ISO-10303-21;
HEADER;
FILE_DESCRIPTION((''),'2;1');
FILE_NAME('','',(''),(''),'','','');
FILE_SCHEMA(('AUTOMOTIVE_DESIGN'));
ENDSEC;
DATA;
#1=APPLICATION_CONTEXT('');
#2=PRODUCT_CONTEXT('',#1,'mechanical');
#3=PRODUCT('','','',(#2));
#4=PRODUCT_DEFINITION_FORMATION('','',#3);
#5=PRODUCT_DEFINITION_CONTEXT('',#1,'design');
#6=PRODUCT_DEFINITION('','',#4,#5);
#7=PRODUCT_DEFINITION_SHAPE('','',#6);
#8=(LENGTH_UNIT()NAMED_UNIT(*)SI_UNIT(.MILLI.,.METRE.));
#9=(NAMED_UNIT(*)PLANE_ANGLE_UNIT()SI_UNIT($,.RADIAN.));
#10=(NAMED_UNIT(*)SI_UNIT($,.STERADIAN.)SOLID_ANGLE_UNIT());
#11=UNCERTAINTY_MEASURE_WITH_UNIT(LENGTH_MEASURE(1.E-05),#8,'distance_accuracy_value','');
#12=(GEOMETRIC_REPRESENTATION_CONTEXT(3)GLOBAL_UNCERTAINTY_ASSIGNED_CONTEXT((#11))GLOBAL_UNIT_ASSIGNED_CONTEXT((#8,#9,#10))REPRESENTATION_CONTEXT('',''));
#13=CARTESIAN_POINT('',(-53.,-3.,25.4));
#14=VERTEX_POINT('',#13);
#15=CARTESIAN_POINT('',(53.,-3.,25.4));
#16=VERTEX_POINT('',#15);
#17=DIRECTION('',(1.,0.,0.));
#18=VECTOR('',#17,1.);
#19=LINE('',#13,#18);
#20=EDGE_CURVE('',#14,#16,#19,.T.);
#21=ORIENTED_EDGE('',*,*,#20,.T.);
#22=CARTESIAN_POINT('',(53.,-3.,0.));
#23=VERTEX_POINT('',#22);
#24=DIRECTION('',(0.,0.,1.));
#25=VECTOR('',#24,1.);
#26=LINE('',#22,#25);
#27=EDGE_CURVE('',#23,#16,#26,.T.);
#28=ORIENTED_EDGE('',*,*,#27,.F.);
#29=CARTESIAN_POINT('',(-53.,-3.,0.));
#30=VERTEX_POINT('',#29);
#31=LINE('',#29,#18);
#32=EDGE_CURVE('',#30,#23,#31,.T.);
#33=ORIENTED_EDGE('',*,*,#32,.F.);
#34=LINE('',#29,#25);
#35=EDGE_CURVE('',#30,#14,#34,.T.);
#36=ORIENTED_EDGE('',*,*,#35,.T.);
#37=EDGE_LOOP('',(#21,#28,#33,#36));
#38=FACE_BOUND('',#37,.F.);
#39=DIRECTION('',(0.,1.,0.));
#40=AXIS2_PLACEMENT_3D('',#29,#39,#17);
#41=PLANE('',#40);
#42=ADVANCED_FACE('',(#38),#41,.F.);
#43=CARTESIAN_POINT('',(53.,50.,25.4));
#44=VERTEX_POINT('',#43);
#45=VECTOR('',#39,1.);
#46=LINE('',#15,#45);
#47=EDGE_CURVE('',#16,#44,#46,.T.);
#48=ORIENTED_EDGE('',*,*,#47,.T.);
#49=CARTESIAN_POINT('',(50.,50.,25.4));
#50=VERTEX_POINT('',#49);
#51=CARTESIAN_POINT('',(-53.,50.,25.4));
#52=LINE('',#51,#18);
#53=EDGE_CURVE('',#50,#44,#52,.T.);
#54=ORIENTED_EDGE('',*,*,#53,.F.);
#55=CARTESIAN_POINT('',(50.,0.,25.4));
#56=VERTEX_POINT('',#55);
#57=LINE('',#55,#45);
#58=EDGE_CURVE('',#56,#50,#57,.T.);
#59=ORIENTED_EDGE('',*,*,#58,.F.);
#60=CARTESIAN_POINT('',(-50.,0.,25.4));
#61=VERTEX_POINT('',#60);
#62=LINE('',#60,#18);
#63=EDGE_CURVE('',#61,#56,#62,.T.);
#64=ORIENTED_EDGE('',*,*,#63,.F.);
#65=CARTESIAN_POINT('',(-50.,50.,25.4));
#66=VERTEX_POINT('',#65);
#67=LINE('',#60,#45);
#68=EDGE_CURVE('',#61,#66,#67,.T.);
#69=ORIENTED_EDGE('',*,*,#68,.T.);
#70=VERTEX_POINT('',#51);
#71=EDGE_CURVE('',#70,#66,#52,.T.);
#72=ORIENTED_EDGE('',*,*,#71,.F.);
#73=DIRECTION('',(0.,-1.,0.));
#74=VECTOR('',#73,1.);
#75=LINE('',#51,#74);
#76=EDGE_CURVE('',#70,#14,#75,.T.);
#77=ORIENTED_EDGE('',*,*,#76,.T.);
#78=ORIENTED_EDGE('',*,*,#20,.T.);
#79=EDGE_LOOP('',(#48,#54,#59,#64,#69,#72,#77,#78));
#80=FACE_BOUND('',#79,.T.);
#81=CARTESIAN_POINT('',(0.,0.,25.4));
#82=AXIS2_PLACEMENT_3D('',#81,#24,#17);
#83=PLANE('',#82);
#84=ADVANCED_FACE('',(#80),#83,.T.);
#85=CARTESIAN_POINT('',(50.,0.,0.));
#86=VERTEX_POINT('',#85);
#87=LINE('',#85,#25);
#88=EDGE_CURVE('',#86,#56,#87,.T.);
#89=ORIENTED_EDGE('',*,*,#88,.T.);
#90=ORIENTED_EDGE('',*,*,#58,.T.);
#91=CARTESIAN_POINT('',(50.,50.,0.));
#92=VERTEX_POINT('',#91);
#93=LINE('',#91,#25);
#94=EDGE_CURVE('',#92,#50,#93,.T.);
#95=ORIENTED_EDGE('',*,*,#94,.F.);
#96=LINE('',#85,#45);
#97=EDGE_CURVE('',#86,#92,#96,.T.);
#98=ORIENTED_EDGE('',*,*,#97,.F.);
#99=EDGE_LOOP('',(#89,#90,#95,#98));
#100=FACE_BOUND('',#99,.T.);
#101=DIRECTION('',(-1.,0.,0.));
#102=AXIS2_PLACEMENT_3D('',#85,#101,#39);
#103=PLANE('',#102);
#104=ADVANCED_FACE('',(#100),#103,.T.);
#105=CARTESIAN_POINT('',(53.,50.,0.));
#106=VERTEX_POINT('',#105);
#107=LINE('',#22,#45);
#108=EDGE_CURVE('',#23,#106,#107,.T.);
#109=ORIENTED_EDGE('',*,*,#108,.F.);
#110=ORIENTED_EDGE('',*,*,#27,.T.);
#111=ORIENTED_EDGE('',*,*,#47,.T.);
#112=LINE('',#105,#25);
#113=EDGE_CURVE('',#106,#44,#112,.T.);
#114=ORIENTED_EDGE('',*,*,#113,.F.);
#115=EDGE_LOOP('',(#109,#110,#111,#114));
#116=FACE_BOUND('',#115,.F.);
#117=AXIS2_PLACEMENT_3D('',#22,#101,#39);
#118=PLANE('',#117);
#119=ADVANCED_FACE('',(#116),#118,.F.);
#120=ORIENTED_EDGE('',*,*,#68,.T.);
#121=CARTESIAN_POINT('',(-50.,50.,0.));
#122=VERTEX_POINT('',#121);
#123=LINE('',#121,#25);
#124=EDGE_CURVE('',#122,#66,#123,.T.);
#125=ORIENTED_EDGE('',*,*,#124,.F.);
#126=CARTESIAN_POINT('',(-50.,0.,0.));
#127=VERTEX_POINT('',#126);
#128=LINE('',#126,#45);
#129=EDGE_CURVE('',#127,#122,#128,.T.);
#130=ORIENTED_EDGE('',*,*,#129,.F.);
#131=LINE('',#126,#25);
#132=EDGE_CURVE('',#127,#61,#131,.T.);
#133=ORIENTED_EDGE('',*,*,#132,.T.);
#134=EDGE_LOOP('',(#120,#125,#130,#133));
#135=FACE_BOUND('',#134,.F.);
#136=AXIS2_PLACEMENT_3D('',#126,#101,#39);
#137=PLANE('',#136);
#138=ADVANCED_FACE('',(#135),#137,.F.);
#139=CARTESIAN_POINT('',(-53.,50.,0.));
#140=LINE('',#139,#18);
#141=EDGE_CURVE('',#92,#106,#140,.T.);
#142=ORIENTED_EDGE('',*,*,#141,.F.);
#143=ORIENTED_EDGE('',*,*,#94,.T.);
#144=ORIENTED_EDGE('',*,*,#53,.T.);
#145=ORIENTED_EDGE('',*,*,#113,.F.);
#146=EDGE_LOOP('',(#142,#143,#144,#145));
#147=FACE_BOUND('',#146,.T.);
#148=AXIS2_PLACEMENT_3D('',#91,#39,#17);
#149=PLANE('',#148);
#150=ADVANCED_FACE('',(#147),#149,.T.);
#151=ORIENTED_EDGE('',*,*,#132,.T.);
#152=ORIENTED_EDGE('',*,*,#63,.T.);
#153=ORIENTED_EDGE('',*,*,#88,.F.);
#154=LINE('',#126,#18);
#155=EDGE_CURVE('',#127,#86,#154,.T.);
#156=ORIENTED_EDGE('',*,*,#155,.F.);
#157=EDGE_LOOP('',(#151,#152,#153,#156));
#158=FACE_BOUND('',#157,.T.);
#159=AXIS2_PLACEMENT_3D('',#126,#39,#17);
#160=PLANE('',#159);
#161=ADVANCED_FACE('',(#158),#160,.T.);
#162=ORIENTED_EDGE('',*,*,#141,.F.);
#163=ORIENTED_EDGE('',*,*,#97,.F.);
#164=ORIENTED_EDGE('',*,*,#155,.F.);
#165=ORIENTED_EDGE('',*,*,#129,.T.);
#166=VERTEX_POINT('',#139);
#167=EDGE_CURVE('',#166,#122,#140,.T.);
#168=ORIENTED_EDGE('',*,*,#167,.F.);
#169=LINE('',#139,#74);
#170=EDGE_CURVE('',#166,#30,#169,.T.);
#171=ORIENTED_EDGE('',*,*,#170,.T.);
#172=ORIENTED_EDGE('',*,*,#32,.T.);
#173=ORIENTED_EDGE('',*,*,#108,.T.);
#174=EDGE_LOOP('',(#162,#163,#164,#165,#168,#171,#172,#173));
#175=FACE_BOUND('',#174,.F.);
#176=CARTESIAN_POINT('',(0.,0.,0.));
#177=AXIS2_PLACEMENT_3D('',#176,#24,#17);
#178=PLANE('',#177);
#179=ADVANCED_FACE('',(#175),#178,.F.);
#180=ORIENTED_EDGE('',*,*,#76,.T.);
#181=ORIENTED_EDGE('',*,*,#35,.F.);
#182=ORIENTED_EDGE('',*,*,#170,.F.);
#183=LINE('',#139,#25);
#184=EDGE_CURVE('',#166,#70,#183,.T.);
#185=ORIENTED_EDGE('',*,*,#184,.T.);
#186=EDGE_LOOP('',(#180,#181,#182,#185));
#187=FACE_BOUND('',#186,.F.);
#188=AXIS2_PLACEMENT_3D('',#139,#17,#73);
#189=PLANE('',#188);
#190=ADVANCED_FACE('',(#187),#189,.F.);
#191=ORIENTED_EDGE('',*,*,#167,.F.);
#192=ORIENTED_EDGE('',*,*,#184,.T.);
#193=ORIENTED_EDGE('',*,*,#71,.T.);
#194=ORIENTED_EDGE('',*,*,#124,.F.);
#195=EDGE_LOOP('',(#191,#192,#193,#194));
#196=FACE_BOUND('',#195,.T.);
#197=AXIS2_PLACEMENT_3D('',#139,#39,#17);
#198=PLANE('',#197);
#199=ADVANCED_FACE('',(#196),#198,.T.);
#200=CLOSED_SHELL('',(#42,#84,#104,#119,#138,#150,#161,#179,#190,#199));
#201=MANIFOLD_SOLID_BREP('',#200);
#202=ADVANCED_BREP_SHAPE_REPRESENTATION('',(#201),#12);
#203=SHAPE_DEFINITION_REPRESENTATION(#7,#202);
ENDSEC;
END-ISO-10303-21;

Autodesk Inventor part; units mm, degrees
ref_plane "YZ Plane" through (0, 0, 0) normal (1, 0, 0) x (0, 1, 0)
ref_plane "XZ Plane" through (0, 0, 0) normal (0, 1, 0) x (-1, 0, 0)
ref_plane "XY Plane" through (0, 0, 0) normal (0, 0, 1) x (1, 0, 0)
sketch "Sketch1" plane through (0, 0, 0) normal (0, 0, 1) x (1, 0, 0)
  line L0 (-50, 0) -> (50, 0)
  line L1 (50, 0) -> (50, 50)
  line L2 (-50, 0) -> (-50, 50)
  line L3 (-53, 50) -> (-53, -3)
  line L4 (-53, -3) -> (53, -3)
  line L5 (53, -3) -> (53, 50)
  line L6 (-53, 50) -> (53, 50)
  point P0 (0, 0)
  point P1 (0, 0)
  dimension "d0" = 100
  dimension "d1" = 50
  dimension "d2" = 3
extrude "Extrusion1" add sketch "Sketch1" along normal blind 25.4 contours L0 L1 L6 L5 L4 L3 L2
properties part number "APOYO_PLETINA" material "Steel, Mild, Welded"
